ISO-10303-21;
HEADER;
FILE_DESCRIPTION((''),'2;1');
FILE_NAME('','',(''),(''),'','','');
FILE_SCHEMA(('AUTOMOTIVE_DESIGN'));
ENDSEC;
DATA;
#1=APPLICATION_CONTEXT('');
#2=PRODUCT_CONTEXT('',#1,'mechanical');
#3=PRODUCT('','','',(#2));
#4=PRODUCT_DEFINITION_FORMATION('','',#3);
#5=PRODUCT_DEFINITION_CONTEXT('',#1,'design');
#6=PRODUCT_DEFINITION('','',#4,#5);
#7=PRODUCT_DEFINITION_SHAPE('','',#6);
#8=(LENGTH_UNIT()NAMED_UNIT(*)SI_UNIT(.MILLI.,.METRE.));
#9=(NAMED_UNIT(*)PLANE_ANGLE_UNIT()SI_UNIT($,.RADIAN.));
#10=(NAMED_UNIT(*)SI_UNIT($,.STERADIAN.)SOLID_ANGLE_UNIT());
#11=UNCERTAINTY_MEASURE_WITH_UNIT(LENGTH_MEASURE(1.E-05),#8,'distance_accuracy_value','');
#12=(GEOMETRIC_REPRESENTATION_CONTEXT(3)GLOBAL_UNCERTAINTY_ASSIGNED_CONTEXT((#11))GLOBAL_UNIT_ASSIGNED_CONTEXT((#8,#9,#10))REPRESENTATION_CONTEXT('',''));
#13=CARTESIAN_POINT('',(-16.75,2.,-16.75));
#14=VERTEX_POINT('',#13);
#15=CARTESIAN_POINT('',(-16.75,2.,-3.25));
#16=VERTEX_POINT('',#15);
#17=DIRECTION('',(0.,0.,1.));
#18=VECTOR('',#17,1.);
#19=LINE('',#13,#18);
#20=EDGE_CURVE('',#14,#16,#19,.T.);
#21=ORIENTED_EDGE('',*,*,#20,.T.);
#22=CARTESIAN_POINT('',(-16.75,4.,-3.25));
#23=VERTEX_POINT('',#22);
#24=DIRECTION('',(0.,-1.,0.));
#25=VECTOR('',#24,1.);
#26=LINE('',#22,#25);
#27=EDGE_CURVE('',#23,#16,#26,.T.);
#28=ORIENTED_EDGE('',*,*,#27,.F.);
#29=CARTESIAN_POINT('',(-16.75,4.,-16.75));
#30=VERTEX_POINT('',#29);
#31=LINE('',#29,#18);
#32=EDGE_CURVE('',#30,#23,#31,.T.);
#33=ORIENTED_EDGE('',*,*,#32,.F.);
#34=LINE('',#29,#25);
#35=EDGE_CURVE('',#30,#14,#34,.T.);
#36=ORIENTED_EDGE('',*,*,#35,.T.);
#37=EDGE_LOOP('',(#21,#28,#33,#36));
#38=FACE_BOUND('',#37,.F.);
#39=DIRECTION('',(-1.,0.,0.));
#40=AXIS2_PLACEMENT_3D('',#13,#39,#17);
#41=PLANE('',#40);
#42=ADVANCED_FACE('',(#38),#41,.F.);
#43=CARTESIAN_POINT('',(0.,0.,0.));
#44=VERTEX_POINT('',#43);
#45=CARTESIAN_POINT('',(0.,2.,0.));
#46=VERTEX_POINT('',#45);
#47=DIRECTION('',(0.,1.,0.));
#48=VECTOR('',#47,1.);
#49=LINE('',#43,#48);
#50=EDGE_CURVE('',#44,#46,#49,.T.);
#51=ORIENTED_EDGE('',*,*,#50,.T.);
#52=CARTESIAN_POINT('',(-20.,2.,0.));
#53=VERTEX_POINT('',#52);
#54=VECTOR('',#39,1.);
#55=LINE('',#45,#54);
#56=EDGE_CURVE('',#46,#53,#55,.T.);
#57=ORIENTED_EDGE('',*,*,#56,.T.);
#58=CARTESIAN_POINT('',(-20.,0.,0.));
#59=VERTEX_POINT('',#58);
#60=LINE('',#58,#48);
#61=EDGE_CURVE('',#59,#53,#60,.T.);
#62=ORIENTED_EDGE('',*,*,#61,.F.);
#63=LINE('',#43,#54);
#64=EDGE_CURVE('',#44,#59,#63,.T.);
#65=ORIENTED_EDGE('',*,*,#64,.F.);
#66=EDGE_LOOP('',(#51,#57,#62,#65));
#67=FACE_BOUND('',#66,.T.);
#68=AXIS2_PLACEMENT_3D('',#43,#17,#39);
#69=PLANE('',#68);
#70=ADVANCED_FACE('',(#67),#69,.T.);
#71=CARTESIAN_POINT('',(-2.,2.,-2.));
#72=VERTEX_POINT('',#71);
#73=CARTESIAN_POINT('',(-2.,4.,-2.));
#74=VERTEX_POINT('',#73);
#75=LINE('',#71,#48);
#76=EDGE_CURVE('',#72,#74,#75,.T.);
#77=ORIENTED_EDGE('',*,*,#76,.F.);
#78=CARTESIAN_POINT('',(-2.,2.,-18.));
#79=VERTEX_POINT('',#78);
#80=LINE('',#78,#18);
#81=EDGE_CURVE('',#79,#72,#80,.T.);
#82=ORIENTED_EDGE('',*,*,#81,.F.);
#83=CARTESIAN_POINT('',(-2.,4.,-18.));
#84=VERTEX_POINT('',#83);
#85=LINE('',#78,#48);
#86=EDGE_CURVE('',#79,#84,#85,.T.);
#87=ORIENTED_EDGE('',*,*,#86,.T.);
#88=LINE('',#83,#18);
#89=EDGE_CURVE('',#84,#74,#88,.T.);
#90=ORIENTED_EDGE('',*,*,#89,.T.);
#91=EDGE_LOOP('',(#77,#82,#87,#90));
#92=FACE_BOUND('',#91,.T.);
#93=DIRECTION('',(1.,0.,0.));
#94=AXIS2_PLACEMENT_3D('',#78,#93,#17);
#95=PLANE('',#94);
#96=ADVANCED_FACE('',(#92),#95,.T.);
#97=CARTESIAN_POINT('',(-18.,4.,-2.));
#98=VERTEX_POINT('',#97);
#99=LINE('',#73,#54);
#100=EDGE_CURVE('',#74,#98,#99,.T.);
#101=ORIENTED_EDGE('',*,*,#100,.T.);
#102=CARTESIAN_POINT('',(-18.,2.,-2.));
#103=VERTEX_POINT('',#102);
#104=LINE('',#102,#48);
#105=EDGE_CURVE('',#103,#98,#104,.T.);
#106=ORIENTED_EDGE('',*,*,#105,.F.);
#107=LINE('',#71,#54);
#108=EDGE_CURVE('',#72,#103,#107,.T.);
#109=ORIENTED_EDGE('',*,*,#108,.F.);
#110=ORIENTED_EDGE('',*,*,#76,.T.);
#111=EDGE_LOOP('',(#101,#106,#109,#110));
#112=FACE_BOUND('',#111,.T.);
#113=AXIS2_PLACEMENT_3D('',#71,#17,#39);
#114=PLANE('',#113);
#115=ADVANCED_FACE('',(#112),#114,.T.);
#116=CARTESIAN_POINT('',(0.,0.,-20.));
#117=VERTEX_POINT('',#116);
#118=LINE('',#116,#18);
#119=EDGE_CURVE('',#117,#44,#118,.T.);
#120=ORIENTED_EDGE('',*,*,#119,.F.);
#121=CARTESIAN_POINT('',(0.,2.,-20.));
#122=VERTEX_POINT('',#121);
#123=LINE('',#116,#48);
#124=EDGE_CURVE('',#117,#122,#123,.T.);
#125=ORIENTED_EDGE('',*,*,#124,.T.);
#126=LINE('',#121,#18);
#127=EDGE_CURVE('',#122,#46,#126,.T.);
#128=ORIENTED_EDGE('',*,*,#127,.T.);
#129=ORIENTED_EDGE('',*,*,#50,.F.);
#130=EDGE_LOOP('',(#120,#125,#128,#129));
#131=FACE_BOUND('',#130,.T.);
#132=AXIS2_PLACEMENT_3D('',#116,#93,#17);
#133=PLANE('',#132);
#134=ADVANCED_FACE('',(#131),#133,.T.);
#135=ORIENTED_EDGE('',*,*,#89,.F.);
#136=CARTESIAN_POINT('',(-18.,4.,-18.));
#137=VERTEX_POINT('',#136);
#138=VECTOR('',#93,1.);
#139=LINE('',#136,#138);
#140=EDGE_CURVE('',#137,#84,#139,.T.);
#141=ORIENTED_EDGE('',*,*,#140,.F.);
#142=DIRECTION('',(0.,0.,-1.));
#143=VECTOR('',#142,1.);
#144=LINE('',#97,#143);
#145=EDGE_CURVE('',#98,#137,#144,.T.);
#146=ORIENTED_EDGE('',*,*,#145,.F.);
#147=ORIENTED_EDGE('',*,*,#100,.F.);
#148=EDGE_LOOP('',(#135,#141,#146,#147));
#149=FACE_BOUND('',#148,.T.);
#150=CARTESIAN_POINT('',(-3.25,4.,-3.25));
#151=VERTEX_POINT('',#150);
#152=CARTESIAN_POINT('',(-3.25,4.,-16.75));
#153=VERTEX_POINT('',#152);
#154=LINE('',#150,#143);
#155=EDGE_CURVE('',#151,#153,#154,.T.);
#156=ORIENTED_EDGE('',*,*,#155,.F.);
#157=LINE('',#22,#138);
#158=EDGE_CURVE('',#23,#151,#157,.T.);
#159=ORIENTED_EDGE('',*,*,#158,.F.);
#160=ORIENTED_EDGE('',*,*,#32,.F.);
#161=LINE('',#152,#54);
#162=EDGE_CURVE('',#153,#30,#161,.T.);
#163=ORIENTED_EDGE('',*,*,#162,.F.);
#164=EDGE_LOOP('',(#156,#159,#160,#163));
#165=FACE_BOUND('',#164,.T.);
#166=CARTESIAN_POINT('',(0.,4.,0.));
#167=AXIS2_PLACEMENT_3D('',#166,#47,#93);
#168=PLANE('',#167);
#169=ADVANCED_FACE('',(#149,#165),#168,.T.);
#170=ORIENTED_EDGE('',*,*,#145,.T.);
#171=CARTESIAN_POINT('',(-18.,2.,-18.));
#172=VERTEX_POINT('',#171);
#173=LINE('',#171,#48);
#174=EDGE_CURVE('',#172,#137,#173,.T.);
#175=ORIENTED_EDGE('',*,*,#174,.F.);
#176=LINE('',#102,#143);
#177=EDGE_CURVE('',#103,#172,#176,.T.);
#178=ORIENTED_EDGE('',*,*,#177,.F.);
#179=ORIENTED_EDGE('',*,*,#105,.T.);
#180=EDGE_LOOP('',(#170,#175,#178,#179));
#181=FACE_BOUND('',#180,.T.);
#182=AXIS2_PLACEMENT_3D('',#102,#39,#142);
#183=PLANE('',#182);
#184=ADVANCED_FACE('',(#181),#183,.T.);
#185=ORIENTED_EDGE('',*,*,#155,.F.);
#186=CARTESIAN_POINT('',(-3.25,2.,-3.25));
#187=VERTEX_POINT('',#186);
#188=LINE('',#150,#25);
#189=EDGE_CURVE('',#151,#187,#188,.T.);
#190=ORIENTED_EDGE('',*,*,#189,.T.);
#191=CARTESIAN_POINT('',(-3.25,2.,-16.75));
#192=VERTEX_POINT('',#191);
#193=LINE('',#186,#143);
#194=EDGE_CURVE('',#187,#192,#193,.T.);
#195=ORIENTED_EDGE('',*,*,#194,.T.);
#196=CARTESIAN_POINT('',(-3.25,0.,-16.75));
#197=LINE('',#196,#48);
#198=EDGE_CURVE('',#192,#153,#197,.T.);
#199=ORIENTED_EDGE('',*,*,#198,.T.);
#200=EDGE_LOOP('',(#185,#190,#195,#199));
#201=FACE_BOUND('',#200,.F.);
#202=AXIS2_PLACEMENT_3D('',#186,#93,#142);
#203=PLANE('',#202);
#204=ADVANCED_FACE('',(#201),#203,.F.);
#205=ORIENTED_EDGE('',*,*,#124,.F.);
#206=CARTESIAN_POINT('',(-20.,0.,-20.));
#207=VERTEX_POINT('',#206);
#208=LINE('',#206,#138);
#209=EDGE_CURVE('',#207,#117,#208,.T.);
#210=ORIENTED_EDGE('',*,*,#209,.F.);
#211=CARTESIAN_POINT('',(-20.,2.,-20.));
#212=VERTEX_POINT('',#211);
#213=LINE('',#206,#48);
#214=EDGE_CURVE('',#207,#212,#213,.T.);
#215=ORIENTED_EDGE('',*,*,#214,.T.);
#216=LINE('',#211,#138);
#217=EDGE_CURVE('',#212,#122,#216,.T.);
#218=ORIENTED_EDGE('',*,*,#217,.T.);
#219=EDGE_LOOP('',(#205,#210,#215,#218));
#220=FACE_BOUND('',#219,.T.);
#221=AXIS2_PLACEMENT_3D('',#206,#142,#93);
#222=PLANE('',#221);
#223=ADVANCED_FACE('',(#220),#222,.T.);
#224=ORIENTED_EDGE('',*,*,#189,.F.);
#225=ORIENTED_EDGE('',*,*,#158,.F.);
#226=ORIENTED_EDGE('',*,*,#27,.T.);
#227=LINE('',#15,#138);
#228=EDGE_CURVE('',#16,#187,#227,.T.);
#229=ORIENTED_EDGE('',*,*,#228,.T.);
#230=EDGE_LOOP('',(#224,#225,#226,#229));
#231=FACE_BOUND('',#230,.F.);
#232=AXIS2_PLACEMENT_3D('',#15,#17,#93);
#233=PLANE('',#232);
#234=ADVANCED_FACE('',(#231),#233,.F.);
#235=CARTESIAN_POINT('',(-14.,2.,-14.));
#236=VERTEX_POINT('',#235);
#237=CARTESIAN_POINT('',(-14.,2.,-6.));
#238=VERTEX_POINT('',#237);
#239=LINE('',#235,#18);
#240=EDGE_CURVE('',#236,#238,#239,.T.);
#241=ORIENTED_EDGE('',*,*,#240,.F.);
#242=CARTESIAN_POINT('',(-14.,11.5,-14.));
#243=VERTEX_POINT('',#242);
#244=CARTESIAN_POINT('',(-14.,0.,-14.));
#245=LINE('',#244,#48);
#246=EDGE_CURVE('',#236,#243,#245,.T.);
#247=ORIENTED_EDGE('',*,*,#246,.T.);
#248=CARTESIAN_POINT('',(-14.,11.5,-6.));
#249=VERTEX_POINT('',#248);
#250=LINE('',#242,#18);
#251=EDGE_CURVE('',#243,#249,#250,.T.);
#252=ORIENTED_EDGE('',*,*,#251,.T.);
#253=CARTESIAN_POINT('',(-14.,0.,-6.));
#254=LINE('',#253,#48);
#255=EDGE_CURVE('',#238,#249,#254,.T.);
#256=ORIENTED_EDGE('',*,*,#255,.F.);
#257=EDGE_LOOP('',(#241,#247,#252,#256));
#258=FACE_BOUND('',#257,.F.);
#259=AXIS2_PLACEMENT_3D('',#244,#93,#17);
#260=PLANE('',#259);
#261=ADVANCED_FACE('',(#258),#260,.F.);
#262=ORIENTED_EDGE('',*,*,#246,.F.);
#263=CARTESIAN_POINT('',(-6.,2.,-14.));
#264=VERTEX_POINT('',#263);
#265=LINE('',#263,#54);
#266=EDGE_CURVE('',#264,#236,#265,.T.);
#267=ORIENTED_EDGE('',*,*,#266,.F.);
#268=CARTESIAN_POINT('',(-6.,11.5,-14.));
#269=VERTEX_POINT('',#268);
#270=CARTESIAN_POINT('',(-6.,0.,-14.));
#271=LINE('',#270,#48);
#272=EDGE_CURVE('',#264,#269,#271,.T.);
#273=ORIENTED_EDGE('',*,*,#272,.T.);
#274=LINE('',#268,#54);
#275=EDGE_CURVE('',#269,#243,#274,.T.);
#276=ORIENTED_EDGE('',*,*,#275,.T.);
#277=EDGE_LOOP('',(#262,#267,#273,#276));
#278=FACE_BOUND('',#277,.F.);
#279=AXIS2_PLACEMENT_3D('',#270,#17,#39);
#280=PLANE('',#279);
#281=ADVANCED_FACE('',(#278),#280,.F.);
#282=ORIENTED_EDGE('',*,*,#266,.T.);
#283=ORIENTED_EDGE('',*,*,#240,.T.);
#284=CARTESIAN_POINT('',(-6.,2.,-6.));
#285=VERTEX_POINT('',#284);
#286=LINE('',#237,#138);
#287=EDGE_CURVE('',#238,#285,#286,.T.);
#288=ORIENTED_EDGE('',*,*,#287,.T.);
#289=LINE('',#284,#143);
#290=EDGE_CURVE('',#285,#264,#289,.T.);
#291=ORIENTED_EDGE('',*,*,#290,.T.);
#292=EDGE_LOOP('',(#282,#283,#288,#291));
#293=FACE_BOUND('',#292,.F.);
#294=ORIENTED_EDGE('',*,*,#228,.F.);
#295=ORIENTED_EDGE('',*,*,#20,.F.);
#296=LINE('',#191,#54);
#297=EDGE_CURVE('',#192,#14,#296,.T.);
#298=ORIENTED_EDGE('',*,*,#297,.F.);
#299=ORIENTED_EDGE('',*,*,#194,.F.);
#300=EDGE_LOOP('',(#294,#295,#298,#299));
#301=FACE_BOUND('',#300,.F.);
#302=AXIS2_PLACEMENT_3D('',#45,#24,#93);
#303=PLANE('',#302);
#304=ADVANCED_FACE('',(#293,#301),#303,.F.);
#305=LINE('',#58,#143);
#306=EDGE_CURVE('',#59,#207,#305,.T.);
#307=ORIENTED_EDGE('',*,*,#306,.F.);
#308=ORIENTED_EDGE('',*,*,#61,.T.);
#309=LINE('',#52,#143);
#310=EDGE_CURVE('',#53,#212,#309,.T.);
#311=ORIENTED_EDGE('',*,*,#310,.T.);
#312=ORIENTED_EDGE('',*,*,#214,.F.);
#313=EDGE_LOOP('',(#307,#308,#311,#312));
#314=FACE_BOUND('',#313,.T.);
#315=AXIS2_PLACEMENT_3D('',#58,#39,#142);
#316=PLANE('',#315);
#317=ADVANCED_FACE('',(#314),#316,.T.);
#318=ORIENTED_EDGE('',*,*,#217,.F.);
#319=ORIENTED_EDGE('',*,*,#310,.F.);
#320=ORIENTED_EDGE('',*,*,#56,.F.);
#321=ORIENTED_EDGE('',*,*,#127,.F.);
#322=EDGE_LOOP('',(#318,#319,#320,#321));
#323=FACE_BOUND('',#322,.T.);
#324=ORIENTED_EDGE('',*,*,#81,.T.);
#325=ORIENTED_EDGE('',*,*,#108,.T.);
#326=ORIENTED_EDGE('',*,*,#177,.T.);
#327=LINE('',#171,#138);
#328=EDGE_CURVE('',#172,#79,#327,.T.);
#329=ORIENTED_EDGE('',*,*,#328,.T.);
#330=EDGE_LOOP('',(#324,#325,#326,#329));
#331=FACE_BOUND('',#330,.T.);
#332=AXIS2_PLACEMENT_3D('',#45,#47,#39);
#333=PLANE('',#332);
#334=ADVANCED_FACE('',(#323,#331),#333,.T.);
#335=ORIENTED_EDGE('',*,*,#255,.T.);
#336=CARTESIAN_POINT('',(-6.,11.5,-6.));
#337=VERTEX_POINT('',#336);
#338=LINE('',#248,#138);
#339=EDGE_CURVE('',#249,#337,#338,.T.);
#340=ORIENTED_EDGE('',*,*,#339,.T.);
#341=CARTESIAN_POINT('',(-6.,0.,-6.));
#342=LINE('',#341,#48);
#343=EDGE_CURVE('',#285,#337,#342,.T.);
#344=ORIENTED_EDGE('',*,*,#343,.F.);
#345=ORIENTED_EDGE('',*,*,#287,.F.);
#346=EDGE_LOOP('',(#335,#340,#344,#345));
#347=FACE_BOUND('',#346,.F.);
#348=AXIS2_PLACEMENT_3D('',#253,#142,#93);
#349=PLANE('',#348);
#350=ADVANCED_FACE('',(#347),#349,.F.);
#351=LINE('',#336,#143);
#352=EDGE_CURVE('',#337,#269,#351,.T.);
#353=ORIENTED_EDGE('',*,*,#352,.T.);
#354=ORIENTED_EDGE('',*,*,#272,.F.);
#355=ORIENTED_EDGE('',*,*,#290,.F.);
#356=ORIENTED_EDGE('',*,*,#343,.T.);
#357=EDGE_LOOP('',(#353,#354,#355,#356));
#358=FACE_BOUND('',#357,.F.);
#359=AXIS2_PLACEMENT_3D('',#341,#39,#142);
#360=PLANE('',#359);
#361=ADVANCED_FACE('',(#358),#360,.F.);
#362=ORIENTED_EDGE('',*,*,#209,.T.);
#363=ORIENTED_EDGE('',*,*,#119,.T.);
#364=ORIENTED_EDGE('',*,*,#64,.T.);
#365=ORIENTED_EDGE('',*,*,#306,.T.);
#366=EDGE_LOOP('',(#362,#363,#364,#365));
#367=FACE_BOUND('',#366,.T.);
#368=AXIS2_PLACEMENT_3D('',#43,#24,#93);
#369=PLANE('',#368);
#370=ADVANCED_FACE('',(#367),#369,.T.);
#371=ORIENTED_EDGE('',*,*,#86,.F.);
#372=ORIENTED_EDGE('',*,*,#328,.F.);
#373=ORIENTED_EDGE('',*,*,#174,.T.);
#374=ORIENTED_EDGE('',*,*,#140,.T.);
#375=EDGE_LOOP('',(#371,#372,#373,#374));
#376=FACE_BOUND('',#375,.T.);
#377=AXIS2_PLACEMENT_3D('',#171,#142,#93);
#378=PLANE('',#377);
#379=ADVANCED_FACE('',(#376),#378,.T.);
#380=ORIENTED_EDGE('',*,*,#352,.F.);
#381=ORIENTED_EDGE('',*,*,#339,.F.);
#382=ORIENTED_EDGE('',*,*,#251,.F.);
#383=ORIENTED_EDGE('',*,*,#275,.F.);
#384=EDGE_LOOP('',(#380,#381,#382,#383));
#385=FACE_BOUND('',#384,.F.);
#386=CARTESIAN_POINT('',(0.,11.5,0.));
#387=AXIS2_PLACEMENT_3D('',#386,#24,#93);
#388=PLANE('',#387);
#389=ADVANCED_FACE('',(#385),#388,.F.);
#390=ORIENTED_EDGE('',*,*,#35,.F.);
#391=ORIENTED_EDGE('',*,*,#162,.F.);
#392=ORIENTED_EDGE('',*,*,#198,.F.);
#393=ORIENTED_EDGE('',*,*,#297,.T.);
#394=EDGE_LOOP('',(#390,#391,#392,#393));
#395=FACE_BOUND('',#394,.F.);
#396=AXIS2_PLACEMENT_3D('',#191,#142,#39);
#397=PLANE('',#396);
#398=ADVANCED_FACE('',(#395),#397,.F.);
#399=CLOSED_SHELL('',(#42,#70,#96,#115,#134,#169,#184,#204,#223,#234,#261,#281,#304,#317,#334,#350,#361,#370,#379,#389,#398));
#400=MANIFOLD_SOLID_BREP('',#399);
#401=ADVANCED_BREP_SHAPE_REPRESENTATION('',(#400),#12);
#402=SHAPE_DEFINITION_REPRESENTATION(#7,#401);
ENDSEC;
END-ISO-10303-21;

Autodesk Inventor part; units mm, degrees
ref_plane "YZ Plane" through (0, 0, 0) normal (1, 0, 0) x (0, 1, 0)
ref_plane "XZ Plane" through (0, 0, 0) normal (0, 1, 0) x (-1, 0, 0)
ref_plane "XY Plane" through (0, 0, 0) normal (0, 0, 1) x (1, 0, 0)
sketch "Sketch1" plane through (0, 0, 0) normal (0, 1, 0) x (-1, 0, 0)
  line L0 (0, 0) -> (20, 0)
  line L1 (20, 0) -> (20, -20)
  line L2 (20, -20) -> (0, -20)
  line L3 (0, -20) -> (0, 0)
  dimension "d0" = 20
  dimension "d1" = 20
extrude "Extrusion1" add sketch "Sketch1" along normal blind 2
sketch "Sketch2" plane through (0, 2, 0) normal (0, 1, 0) x (1, 0, 0)
  line L0 (0, 20) -> (-20, 20) projected
  line L1 (-20, 20) -> (-20, 0) projected
  line L2 (-20, 0) -> (0, 0) projected
  line L3 (0, 0) -> (0, 20) projected
  line L4 (-18, 2) -> (-18, 18)
  line L5 (-18, 18) -> (-2, 18)
  line L6 (-2, 18) -> (-2, 2)
  line L7 (-2, 2) -> (-18, 2)
  line L8 (-16.75, 16.75) -> (-16.75, 3.25)
  line L9 (-16.75, 3.25) -> (-3.25, 3.25)
  line L10 (-3.25, 3.25) -> (-3.25, 16.75)
  line L11 (-3.25, 16.75) -> (-16.75, 16.75)
  dimension "d4" = 2
  dimension "d5" = 1.25
extrude "Extrusion2" add sketch "Sketch2" along normal blind 2 contours L4 L5 L6 L7
extrude "Extrusion3" cut sketch "Sketch2" against normal blind 10 contours L11 L10 L9 L8
sketch "Sketch3" plane through (0, 0, 0) normal (0, -1, 0) x (1, 0, 0)
  line L0 (-3.25, -3.25) -> (-3.25, -16.75) projected
  line L1 (-3.25, -16.75) -> (-16.75, -16.75) projected
  line L2 (-16.75, -16.75) -> (-16.75, -3.25) projected
  line L3 (-16.75, -3.25) -> (-3.25, -3.25) projected
  line L4 (0, -20) -> (-20, -20) projected
  line L5 (0, 0) -> (0, -20) projected
  line L6 (-20, 0) -> (0, 0) projected
  line L7 (-20, -20) -> (-20, 0) projected
  line L8 (-6, -6) -> (-6, -14)
  line L9 (-6, -14) -> (-14, -14)
  line L10 (-14, -14) -> (-14, -6)
  line L11 (-14, -6) -> (-6, -6)
extrude "Extrusion4" add sketch "Sketch3" against normal up to surface (2 mm away) contours L0 L1 L2 L3
extrude "Extrusion5" add sketch "Sketch3" against normal blind 11.5 contours L8 L9 L10 L11
properties part number "latticeChamberCapv4"
